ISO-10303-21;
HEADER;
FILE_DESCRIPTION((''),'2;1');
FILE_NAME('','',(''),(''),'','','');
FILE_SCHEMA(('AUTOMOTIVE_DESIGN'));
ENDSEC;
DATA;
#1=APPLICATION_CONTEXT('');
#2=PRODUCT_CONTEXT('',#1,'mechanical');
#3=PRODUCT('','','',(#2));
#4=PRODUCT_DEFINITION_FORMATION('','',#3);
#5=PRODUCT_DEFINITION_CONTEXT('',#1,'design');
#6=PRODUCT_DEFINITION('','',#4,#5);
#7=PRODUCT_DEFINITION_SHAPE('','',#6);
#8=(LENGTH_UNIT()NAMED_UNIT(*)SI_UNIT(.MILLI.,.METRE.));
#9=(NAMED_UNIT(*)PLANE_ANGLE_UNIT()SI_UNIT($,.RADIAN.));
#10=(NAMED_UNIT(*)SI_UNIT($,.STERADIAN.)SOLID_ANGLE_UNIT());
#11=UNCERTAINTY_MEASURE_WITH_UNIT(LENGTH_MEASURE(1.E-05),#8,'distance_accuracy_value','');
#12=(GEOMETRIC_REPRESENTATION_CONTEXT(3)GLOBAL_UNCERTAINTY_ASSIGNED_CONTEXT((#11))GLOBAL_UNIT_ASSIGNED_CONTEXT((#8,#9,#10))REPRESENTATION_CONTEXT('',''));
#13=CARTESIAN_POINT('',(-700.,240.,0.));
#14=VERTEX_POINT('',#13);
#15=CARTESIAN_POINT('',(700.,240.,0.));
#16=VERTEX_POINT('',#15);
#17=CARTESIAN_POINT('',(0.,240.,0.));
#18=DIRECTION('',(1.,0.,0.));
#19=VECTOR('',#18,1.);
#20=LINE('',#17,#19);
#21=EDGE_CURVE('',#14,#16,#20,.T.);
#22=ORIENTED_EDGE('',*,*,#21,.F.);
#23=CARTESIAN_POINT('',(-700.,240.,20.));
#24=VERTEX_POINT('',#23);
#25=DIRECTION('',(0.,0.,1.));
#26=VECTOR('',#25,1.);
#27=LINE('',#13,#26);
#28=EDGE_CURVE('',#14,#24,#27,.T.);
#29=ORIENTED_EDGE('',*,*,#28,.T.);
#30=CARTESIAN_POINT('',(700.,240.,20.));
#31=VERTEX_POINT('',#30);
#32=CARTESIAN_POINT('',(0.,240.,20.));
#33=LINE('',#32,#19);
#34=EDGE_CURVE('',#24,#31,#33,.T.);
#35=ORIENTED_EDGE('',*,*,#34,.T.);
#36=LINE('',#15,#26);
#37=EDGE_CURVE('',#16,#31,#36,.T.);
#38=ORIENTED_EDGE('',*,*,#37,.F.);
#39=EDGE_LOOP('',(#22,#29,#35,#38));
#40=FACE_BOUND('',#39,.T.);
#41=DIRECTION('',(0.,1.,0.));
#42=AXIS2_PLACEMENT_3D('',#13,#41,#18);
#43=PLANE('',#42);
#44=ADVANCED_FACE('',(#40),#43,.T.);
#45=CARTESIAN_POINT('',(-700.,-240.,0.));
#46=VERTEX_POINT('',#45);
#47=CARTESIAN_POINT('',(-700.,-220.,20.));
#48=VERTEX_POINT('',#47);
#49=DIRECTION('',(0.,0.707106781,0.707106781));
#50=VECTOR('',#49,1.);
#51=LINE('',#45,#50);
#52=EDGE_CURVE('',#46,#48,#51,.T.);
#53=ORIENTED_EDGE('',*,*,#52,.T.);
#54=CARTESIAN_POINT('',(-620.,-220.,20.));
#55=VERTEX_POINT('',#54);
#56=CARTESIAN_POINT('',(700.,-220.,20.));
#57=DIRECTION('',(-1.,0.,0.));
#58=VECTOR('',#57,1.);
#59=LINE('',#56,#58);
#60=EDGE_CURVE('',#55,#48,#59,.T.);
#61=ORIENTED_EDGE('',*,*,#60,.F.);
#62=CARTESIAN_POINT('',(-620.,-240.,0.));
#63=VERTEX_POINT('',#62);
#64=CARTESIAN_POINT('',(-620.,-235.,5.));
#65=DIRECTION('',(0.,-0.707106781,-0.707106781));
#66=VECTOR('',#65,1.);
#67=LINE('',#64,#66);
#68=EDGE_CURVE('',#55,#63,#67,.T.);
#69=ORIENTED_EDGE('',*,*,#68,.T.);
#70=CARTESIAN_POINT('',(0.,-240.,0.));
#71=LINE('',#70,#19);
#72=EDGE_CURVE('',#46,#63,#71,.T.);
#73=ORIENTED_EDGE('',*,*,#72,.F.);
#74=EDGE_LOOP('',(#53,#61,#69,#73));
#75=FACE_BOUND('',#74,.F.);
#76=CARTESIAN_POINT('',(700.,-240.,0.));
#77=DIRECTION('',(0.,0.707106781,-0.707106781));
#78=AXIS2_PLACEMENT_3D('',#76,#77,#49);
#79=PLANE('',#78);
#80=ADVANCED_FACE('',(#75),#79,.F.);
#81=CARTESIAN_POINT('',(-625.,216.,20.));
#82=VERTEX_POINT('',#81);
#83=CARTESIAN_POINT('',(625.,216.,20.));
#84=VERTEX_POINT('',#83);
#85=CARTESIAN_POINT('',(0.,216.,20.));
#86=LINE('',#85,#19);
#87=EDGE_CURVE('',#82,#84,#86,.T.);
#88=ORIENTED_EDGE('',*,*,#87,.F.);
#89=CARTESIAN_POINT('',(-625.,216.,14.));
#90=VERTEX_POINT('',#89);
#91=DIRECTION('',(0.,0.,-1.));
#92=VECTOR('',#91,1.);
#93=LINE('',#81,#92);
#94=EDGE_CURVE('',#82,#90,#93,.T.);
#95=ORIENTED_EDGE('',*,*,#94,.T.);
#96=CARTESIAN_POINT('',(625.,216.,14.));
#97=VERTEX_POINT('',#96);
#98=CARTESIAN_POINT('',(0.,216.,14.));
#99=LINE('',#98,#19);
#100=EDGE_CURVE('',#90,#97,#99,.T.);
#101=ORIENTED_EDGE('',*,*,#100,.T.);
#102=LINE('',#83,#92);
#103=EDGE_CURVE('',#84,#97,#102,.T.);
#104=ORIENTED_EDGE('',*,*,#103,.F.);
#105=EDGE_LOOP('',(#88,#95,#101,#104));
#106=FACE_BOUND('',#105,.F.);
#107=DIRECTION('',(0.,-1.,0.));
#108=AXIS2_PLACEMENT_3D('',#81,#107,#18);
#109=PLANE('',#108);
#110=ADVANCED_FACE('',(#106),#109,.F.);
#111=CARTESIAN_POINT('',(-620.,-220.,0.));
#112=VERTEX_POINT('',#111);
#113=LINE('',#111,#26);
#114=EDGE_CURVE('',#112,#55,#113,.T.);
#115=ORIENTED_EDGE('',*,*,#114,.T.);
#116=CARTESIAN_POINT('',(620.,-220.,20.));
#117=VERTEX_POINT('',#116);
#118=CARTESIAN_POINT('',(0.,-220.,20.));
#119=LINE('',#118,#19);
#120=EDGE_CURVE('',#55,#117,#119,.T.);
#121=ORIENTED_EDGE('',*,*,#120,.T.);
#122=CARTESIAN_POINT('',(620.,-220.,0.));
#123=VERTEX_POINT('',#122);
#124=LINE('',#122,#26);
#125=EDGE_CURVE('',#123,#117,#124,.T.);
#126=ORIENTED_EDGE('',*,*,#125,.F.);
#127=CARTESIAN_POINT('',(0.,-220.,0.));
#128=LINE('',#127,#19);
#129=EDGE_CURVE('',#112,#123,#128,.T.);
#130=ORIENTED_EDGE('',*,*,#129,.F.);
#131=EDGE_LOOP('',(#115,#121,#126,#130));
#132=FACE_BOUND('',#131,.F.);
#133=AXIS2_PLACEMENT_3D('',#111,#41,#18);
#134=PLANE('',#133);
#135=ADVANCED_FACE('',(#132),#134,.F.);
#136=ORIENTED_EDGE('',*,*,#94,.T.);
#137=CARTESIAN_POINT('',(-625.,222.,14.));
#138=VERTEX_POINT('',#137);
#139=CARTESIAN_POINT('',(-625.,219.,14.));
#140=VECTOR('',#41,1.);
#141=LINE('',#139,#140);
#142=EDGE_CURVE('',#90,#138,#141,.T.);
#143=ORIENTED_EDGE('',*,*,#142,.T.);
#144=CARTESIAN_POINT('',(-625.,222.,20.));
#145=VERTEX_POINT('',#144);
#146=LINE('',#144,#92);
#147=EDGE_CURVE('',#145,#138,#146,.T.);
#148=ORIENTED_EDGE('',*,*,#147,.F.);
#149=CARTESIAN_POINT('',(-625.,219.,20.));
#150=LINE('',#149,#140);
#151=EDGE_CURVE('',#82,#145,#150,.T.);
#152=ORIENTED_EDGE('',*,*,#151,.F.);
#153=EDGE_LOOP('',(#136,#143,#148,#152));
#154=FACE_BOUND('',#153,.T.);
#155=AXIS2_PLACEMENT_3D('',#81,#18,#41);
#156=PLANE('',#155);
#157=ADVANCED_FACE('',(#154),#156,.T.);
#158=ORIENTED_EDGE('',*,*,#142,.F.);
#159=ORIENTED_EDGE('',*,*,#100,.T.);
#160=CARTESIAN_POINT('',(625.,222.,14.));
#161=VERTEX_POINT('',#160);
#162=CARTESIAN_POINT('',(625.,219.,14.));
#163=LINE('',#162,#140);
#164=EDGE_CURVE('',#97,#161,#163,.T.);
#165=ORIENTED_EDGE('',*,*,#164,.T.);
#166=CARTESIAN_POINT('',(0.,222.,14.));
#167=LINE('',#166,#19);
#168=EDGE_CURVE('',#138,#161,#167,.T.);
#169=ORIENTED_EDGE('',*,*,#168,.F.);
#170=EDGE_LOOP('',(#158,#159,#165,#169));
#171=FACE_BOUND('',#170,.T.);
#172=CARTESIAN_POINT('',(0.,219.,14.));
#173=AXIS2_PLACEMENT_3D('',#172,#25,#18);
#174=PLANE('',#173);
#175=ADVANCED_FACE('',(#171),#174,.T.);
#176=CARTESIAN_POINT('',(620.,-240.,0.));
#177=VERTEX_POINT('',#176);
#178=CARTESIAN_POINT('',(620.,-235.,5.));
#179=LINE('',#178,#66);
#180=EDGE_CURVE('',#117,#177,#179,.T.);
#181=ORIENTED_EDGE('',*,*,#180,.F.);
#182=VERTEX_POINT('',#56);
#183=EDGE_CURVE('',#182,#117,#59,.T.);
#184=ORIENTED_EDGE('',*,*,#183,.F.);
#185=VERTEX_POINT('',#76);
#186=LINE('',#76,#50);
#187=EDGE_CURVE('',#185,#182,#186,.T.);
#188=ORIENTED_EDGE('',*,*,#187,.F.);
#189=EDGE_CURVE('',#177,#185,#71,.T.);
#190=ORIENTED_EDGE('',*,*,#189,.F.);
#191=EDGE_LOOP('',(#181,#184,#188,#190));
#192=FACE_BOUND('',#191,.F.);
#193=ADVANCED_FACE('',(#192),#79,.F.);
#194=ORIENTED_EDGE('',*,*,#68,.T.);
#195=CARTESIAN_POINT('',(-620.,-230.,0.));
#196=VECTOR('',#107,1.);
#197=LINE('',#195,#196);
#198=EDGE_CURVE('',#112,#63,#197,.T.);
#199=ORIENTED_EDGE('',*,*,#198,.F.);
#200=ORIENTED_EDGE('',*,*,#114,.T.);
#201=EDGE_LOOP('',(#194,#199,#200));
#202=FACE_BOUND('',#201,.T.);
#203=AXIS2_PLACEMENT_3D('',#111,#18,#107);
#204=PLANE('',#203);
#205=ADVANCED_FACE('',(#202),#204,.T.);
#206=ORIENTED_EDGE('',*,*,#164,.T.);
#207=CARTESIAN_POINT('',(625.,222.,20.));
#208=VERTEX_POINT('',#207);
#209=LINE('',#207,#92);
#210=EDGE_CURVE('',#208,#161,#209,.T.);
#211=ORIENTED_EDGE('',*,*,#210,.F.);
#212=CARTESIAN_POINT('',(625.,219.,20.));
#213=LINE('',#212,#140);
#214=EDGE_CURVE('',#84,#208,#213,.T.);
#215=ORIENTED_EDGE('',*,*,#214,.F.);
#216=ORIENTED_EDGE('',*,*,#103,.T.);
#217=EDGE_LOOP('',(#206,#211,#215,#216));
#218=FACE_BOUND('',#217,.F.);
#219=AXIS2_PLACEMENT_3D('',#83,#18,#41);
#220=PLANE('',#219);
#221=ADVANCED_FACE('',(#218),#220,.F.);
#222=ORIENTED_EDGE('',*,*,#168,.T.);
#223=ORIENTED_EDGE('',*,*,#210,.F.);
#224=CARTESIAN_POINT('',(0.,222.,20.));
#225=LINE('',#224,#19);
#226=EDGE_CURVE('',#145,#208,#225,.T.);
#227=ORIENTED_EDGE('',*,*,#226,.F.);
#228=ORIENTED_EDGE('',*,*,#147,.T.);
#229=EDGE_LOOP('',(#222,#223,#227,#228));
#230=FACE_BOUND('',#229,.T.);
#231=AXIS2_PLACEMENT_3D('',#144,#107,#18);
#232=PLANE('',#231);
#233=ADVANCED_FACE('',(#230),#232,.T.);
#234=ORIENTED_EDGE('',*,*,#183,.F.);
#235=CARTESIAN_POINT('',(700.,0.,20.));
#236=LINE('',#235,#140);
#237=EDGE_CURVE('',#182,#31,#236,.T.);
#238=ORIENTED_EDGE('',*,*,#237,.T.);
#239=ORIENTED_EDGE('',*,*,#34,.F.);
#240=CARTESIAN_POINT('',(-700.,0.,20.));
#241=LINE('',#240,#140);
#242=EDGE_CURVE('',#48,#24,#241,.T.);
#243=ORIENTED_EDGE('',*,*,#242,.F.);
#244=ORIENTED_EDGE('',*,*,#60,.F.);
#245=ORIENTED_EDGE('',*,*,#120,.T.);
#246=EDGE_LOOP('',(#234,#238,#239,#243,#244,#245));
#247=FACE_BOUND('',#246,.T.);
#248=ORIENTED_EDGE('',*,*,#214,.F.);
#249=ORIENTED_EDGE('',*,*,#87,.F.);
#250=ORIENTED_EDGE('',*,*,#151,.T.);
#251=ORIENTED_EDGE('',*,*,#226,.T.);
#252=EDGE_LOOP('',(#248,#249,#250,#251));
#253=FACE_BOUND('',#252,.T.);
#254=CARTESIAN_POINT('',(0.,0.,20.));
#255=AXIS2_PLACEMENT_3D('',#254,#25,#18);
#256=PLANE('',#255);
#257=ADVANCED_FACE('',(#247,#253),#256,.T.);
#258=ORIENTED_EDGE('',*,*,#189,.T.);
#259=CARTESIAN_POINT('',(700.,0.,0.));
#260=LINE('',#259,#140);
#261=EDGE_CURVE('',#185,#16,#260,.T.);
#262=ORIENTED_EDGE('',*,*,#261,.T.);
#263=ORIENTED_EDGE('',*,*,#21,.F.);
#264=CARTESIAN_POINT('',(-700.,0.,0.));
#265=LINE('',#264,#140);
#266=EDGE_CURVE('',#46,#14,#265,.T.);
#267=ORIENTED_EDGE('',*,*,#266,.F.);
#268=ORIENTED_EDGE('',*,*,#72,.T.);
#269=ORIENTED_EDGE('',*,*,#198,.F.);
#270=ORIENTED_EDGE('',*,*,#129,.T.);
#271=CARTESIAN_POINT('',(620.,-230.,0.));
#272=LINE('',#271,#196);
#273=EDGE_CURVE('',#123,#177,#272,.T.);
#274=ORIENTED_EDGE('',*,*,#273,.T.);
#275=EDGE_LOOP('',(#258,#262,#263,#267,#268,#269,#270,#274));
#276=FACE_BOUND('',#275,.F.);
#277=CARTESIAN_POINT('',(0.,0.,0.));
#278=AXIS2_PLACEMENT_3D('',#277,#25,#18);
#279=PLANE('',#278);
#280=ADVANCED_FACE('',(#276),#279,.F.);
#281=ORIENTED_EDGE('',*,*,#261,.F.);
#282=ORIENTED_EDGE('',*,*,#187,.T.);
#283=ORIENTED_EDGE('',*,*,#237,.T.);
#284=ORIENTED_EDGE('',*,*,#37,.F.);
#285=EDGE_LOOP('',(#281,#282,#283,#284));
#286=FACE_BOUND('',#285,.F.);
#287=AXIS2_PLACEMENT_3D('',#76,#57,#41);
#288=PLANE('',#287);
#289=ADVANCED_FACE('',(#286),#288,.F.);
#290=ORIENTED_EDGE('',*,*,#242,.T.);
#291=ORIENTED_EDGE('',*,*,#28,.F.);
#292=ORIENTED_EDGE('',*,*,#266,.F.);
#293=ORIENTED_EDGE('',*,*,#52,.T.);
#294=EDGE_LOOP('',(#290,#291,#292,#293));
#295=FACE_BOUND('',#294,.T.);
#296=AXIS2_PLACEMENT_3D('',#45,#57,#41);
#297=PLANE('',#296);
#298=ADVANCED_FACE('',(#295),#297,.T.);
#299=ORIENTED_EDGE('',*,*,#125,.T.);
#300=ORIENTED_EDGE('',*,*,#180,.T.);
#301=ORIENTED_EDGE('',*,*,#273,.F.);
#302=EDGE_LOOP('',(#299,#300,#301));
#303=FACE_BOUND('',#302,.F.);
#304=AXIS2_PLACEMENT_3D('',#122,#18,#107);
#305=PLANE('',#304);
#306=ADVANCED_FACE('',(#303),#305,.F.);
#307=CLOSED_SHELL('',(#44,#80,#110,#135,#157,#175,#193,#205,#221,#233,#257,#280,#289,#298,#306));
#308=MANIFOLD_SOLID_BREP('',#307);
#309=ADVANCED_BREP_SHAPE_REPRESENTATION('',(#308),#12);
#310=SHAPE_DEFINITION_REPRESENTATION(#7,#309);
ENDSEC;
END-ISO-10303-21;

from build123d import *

# Parameters (mm, degrees)
F0_W     = 1400
F0_H     = 480
F1_DEPTH = 20
F3_DEPTH = 1400
F4_W     = 1250
F4_H     = 6
F5_DEPTH = 6
F6_W     = 1240
F6_H     = 20
F7_DEPTH = 20


with BuildPart() as f1:
    # F0 (on Top) → F1 (new body)
    with BuildSketch(Plane.XY):
        Rectangle(F0_W, F0_H)
    extrude(amount=F1_DEPTH)

    # F2 (on face) → F3 (cut)
    with BuildSketch(Plane.YZ.offset(700)):
        Polygon((-240, 20), (-240, 0), (-220, 20), align=None)
    extrude(amount=-F3_DEPTH, mode=Mode.SUBTRACT)

    # F4 (on face) → F5 (cut)
    with BuildSketch(Plane.XY.offset(20)):
        with Locations((0, 219)):
            Rectangle(F4_W, F4_H)
    extrude(amount=-F5_DEPTH, mode=Mode.SUBTRACT)

    # F6 (on face) → F7 (cut)
    with BuildSketch(Plane(origin=(0, 0, 0), x_dir=(1, 0, 0), z_dir=(0, 0, -1))):
        with Locations((0, 230)):
            Rectangle(F6_W, F6_H)
    extrude(amount=-F7_DEPTH, mode=Mode.SUBTRACT)


solid = f1.part
